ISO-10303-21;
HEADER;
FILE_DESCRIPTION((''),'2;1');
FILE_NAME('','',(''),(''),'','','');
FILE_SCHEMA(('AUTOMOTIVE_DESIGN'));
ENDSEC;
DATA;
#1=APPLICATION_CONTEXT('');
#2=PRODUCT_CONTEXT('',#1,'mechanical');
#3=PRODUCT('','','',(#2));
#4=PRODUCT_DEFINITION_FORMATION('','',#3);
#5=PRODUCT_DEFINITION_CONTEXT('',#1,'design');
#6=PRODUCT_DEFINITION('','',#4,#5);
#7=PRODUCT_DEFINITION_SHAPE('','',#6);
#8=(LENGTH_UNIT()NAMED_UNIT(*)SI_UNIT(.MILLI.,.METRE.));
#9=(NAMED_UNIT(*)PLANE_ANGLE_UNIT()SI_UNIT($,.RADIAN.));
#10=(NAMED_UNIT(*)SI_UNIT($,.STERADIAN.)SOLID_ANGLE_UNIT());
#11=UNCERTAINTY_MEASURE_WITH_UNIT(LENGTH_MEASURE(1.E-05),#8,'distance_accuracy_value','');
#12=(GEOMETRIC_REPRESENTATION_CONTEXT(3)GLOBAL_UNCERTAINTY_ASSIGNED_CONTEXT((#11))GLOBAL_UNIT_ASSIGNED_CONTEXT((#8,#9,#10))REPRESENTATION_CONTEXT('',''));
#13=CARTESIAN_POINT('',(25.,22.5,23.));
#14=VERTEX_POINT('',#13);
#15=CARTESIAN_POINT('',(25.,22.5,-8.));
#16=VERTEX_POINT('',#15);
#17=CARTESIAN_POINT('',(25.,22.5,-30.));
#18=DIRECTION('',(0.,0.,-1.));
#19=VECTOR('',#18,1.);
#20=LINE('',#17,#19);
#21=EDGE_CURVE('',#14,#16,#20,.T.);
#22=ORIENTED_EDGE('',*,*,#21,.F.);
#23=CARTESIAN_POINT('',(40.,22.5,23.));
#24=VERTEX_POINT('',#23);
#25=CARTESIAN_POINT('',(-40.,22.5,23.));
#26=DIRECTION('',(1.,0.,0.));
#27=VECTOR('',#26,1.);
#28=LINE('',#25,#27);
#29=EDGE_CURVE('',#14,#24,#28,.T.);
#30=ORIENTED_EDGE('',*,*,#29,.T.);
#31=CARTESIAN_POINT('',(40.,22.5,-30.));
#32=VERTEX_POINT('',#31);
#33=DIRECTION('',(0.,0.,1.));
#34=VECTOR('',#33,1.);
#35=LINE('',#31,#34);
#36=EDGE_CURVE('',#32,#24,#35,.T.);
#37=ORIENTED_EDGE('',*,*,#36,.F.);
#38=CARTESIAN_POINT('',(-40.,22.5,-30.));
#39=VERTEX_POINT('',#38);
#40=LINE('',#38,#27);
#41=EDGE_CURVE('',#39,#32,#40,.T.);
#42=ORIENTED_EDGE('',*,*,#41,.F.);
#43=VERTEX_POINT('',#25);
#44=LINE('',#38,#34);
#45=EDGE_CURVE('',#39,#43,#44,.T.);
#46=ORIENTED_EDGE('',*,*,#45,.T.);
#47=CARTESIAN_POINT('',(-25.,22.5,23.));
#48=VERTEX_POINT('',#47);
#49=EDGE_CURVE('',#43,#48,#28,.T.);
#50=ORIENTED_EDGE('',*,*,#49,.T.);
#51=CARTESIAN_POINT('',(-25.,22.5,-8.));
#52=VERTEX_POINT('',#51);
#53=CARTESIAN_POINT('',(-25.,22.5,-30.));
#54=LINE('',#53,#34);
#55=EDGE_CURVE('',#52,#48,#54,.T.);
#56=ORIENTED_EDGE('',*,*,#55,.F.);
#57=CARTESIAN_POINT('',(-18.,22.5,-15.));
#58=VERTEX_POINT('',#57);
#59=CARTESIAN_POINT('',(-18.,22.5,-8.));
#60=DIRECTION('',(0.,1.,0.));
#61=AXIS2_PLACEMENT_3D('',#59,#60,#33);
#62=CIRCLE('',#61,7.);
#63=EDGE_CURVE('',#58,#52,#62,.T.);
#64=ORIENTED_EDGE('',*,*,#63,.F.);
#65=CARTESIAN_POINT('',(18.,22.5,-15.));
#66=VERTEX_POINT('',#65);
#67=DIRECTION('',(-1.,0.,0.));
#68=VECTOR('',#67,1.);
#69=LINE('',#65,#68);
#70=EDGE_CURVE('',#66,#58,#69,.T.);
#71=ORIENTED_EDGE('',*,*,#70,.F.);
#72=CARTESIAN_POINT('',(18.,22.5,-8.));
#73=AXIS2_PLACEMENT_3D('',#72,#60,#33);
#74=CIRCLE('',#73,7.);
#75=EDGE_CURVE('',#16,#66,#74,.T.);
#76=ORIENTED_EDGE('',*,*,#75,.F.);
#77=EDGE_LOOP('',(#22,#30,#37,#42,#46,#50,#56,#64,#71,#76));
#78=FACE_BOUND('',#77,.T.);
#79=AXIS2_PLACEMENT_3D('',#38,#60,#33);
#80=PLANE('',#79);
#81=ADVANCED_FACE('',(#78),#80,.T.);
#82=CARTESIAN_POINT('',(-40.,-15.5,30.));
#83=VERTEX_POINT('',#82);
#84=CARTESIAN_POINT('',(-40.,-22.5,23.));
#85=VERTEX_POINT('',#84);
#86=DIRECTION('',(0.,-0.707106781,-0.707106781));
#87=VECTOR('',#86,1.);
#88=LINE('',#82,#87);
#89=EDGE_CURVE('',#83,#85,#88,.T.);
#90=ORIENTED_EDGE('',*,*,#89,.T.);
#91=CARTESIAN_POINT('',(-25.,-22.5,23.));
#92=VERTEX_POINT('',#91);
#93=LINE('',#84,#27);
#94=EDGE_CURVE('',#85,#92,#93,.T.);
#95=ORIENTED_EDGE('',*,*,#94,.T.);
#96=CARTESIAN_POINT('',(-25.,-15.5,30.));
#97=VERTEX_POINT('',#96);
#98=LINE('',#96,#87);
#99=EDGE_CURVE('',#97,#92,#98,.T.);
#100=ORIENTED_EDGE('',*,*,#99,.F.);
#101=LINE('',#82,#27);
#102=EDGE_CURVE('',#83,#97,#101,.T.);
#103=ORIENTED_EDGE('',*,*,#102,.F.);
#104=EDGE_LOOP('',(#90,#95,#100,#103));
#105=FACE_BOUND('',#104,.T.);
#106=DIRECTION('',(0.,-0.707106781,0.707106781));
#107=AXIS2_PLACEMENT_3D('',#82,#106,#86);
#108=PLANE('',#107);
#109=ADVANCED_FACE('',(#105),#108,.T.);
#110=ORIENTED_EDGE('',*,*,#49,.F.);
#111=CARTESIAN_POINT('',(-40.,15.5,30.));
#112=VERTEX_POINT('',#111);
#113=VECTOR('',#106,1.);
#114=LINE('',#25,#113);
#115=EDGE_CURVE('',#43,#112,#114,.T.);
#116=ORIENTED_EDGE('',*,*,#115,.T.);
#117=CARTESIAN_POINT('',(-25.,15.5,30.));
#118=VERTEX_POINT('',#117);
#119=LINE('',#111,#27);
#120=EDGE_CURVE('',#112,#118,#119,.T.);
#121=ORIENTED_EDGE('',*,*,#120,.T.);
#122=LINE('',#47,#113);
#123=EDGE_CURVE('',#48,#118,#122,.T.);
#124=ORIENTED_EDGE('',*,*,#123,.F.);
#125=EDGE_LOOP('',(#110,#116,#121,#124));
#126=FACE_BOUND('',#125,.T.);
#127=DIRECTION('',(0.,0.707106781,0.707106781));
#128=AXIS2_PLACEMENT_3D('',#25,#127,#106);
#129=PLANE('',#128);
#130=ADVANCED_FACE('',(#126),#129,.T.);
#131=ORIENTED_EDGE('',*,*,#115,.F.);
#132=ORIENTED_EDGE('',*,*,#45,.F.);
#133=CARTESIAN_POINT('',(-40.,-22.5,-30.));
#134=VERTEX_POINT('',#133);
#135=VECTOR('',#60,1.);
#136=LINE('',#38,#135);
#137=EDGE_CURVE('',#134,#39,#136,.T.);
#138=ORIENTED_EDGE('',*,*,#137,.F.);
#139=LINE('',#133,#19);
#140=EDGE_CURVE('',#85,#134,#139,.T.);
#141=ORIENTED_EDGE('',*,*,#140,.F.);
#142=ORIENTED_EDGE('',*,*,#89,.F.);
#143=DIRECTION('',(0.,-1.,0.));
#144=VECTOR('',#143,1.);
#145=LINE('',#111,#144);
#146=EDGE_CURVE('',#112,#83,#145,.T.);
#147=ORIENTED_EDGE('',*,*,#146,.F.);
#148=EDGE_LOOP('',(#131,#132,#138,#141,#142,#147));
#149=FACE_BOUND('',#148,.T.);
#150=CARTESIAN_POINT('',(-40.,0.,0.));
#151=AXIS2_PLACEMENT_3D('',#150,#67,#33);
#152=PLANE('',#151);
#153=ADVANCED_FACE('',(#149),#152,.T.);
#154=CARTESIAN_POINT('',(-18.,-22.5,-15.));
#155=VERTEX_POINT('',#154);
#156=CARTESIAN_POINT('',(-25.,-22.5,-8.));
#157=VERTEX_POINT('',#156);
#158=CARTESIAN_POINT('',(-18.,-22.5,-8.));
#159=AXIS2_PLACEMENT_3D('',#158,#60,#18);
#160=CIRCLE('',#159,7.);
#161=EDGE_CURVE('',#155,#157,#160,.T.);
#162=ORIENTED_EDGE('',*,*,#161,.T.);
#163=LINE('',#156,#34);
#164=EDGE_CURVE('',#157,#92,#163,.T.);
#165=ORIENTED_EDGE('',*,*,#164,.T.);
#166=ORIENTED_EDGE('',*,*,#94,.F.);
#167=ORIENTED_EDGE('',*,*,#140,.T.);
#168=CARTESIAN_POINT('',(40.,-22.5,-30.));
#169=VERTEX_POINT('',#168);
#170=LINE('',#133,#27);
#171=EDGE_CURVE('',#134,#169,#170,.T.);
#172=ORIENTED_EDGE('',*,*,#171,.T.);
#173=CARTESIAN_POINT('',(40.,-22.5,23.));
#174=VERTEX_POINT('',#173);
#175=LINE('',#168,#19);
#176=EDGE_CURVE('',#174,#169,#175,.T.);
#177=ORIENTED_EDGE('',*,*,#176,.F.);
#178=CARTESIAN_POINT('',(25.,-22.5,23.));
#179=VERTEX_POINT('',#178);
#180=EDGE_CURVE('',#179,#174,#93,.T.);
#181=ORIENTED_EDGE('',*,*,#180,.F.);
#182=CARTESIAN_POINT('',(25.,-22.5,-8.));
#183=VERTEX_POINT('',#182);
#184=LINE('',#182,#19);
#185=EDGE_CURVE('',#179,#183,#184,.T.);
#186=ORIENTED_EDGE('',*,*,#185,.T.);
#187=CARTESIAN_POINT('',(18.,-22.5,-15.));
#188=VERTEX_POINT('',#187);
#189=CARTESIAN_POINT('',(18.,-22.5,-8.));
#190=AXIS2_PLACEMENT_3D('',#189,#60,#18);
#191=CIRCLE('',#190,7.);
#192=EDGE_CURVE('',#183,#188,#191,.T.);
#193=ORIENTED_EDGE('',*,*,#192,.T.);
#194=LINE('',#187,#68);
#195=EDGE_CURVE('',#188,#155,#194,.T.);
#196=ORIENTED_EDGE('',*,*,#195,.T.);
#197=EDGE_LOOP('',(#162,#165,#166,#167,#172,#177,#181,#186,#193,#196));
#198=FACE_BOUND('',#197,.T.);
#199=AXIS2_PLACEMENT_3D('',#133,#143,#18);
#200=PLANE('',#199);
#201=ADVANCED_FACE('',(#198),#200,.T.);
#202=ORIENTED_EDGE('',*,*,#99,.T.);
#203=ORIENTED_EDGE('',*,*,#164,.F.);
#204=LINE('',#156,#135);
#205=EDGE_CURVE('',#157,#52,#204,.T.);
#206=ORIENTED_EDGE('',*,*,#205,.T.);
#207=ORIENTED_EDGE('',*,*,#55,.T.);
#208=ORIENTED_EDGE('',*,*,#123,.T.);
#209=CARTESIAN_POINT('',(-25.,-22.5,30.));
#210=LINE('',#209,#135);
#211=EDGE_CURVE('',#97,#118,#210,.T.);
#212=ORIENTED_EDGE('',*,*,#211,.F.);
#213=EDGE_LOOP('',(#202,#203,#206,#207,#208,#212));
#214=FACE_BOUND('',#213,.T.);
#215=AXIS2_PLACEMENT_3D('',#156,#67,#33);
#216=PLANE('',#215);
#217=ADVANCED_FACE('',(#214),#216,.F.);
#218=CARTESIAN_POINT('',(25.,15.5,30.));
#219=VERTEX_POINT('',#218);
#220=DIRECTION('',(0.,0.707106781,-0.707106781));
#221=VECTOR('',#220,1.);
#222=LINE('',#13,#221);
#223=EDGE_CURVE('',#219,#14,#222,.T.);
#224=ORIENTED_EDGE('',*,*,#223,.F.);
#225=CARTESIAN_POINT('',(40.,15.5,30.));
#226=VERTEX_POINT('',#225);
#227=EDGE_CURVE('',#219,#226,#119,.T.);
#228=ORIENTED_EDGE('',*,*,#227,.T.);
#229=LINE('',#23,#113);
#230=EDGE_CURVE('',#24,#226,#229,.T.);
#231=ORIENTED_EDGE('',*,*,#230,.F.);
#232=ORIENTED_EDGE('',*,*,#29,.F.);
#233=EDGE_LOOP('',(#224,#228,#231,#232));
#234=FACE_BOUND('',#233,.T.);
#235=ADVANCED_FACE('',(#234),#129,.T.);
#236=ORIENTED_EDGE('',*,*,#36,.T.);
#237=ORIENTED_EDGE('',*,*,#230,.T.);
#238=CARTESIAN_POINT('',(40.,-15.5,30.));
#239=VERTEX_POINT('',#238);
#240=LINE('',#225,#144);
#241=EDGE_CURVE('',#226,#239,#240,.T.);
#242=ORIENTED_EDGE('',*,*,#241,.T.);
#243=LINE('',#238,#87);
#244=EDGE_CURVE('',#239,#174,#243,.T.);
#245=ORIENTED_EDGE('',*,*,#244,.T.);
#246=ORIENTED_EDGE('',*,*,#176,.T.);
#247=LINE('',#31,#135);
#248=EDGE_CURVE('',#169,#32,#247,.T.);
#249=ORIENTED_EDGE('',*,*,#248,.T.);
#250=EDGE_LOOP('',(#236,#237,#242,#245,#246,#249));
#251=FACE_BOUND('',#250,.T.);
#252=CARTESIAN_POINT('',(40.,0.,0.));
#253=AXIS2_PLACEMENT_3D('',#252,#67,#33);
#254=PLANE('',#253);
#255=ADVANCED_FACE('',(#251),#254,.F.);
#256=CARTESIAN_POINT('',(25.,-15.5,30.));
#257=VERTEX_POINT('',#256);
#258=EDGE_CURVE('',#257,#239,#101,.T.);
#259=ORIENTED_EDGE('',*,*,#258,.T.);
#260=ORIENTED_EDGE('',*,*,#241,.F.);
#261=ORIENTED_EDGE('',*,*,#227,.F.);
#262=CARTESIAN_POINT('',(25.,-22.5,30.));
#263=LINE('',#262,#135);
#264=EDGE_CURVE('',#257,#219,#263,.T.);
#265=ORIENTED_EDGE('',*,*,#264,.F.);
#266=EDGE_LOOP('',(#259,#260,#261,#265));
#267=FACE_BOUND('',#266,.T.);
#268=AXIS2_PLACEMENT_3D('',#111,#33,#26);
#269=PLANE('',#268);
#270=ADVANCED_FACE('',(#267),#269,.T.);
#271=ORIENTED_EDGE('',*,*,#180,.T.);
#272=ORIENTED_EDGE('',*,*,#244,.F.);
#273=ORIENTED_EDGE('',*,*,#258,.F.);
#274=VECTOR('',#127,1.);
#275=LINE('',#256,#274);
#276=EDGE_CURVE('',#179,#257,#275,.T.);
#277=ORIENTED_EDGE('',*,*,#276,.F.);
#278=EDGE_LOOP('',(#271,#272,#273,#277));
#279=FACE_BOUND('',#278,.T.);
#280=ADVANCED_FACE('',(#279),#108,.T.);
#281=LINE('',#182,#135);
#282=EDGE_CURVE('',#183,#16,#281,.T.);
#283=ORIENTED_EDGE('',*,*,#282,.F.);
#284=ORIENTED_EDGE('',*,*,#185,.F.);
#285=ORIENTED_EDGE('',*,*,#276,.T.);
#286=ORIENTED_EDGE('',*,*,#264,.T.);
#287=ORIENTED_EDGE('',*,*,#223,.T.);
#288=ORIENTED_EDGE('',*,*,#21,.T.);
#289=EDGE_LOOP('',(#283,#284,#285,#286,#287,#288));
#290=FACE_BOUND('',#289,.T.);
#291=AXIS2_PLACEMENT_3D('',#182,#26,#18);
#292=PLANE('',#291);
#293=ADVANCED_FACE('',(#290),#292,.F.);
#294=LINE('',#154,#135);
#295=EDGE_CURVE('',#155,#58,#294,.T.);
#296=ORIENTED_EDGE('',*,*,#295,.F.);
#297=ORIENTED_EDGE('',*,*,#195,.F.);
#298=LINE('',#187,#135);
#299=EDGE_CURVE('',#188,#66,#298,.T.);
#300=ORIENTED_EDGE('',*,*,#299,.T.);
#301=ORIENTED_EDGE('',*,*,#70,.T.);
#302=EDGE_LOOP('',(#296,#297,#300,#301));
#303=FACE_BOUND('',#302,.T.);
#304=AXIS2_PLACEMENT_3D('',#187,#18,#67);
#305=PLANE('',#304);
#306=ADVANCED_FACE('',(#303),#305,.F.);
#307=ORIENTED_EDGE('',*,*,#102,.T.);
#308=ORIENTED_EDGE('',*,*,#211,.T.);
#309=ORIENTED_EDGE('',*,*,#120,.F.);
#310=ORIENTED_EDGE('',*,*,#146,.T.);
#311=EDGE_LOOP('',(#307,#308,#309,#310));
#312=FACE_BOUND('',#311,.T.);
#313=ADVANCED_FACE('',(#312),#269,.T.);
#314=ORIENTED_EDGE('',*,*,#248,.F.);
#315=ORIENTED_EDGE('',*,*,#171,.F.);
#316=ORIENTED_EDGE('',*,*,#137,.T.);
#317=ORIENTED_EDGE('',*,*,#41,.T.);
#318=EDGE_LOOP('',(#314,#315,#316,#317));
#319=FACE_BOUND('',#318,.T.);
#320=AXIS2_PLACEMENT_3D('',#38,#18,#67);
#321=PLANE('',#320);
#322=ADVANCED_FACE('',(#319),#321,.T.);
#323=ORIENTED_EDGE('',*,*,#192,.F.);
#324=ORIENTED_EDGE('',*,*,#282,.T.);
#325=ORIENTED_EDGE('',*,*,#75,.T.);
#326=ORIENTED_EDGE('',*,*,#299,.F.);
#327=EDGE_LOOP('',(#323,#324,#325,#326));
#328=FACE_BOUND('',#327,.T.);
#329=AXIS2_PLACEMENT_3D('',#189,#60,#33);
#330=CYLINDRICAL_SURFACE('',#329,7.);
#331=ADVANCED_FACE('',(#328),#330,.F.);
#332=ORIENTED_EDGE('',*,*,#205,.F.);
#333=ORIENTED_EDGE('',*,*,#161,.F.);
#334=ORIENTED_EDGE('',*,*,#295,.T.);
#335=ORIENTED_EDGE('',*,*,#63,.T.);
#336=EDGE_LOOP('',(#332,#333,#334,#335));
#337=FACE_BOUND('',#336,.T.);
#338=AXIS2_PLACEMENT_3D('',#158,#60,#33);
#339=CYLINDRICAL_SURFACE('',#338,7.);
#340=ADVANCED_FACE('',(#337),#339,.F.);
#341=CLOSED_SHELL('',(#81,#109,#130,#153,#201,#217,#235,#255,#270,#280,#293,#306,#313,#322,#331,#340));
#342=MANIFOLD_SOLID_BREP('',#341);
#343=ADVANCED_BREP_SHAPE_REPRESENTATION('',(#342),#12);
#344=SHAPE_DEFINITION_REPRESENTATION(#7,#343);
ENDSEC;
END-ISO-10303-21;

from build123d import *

# Parameters (mm, degrees)
BOSS_EXTRUDE1_DEPTH      = 40
BOSS_EXTRUDE1_DEPTH_BACK = 40
CUT_EXTRUDE1_DEPTH       = 68.268120235
CUT_EXTRUDE1_DEPTH_BACK  = 68.268120235


with BuildPart() as part:
    # Sketch3 → Boss-Extrude1 (new, two sides: drawn at the far end of the back side and taken through both)
    with BuildSketch(Plane(origin=(0, 0, 0), x_dir=(0, 0, -1), z_dir=(1, 0, 0)).offset(-BOSS_EXTRUDE1_DEPTH_BACK)):
        Polygon((-30, -15.5), (-23, -22.5), (30, -22.5), (30, 22.5), (-23, 22.5), (-30, 15.5), align=None)
    extrude(amount=BOSS_EXTRUDE1_DEPTH + BOSS_EXTRUDE1_DEPTH_BACK)

    # Sketch4 → Cut-Extrude1 (cut, two sides: drawn at the far end of the back side and taken through both)
    with BuildSketch(Plane(origin=(0, 22.5, 0), x_dir=(1, 0, 0), z_dir=(0, 1, 0)).offset(-CUT_EXTRUDE1_DEPTH_BACK)):
        with BuildLine():
            Line((18, 15), (-18, 15))
            ThreePointArc((-18, 15), (-22.949747468, 12.949747468), (-25, 8))
            Line((-25, 8), (-25, -30))
            Line((-25, -30), (25, -30))
            Line((25, -30), (25, 8))
            ThreePointArc((25, 8), (22.949747468, 12.949747468), (18, 15))
        make_face()
    extrude(amount=CUT_EXTRUDE1_DEPTH + CUT_EXTRUDE1_DEPTH_BACK, mode=Mode.SUBTRACT)


solid = part.part
